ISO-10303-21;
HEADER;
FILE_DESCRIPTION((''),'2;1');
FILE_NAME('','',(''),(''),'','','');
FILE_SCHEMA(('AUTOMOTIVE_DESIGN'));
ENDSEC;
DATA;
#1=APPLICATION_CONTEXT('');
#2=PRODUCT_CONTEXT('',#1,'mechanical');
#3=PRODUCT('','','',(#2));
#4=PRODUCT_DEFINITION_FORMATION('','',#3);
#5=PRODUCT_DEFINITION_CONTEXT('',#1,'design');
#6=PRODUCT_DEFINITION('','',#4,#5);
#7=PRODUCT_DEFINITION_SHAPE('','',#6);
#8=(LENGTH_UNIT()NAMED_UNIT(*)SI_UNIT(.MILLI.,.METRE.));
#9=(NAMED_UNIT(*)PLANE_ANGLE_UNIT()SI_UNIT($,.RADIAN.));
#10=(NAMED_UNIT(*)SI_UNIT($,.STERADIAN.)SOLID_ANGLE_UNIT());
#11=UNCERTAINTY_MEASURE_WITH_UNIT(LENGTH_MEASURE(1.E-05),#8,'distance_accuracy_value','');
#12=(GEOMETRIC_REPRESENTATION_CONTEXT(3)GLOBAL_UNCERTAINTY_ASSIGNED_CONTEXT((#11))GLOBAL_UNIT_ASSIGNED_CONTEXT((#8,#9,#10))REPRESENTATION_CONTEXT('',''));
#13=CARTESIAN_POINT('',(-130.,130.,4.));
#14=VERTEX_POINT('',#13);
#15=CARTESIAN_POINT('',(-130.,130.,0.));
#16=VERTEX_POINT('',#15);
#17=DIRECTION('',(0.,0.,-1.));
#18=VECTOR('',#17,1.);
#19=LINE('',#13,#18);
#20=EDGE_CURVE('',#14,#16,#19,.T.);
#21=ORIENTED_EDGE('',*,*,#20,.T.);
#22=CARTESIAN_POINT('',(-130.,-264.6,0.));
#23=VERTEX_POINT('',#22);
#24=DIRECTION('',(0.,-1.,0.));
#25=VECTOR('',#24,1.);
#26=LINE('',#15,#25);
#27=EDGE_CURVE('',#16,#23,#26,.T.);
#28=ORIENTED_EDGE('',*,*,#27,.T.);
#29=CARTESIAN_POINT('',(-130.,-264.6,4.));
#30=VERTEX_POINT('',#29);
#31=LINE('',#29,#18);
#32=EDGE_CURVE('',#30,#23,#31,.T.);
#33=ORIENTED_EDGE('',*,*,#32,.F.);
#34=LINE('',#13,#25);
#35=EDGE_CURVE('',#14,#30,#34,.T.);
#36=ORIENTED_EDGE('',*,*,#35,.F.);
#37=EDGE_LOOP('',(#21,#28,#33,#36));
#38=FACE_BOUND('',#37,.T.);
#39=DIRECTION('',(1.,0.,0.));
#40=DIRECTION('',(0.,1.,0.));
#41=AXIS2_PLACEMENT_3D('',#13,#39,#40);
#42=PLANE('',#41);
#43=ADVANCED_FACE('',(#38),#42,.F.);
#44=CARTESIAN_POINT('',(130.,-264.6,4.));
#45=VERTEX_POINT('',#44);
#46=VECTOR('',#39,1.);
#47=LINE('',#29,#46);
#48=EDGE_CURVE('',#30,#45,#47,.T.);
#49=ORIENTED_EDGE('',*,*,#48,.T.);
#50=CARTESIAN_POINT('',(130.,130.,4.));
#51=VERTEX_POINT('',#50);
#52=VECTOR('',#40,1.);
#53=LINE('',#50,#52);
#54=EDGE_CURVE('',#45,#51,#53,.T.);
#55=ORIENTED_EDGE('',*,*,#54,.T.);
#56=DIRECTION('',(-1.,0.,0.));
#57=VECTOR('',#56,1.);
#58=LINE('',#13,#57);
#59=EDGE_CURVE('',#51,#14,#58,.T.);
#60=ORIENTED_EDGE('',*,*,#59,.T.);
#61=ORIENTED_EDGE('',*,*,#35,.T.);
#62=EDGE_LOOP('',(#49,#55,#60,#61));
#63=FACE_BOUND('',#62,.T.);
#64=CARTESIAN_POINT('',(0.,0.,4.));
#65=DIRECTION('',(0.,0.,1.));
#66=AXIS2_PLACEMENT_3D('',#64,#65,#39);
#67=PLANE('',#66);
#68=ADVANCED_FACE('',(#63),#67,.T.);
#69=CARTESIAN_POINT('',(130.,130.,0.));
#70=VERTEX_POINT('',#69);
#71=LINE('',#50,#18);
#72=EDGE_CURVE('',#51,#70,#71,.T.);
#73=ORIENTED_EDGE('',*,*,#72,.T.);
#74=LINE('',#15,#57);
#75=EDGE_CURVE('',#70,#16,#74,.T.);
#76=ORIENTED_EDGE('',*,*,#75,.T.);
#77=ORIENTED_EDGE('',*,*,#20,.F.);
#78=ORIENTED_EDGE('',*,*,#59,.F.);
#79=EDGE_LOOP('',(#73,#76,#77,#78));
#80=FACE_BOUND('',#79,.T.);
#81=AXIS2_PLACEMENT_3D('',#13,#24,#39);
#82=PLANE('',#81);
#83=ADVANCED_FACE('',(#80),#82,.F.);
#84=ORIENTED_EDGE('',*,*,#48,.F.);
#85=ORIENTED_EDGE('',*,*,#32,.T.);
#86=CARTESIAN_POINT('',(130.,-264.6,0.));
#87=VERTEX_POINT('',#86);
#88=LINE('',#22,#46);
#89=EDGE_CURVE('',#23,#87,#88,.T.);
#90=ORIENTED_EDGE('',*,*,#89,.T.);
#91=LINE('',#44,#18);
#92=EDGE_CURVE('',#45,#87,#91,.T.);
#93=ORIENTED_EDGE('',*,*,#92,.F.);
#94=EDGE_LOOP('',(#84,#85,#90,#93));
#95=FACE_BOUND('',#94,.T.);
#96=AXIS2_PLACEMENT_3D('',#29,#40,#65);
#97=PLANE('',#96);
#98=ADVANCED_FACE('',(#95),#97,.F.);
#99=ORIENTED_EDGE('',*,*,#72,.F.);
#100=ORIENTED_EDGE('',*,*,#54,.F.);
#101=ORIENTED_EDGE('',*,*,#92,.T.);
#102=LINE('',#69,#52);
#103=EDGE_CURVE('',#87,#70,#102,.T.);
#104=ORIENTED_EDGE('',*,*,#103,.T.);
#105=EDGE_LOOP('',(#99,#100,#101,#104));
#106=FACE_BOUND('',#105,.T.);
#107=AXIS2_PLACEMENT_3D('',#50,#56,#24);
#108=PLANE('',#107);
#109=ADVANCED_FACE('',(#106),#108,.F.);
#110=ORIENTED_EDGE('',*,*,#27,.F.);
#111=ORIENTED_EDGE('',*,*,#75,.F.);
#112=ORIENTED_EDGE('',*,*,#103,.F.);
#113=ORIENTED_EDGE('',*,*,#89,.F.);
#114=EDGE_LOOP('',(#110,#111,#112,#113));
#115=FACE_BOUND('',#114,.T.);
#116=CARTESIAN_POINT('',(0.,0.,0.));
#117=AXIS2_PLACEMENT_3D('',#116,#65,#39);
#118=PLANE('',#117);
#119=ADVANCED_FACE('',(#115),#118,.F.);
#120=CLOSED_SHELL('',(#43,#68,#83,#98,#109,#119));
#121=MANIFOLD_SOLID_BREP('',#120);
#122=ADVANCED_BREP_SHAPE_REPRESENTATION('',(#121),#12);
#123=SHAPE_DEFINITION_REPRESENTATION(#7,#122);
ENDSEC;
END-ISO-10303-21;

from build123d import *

# Parameters (mm, degrees)
SKETCH1_W      = 260
SKETCH1_H      = 394.6
EXTRUDE1_DEPTH = 4


with BuildPart() as part:
    # Sketch1 → Extrude1 (new body)
    with BuildSketch(Plane.XY):
        with Locations((0, -67.3)):
            Rectangle(SKETCH1_W, SKETCH1_H)
    extrude(amount=EXTRUDE1_DEPTH)


solid = part.part
